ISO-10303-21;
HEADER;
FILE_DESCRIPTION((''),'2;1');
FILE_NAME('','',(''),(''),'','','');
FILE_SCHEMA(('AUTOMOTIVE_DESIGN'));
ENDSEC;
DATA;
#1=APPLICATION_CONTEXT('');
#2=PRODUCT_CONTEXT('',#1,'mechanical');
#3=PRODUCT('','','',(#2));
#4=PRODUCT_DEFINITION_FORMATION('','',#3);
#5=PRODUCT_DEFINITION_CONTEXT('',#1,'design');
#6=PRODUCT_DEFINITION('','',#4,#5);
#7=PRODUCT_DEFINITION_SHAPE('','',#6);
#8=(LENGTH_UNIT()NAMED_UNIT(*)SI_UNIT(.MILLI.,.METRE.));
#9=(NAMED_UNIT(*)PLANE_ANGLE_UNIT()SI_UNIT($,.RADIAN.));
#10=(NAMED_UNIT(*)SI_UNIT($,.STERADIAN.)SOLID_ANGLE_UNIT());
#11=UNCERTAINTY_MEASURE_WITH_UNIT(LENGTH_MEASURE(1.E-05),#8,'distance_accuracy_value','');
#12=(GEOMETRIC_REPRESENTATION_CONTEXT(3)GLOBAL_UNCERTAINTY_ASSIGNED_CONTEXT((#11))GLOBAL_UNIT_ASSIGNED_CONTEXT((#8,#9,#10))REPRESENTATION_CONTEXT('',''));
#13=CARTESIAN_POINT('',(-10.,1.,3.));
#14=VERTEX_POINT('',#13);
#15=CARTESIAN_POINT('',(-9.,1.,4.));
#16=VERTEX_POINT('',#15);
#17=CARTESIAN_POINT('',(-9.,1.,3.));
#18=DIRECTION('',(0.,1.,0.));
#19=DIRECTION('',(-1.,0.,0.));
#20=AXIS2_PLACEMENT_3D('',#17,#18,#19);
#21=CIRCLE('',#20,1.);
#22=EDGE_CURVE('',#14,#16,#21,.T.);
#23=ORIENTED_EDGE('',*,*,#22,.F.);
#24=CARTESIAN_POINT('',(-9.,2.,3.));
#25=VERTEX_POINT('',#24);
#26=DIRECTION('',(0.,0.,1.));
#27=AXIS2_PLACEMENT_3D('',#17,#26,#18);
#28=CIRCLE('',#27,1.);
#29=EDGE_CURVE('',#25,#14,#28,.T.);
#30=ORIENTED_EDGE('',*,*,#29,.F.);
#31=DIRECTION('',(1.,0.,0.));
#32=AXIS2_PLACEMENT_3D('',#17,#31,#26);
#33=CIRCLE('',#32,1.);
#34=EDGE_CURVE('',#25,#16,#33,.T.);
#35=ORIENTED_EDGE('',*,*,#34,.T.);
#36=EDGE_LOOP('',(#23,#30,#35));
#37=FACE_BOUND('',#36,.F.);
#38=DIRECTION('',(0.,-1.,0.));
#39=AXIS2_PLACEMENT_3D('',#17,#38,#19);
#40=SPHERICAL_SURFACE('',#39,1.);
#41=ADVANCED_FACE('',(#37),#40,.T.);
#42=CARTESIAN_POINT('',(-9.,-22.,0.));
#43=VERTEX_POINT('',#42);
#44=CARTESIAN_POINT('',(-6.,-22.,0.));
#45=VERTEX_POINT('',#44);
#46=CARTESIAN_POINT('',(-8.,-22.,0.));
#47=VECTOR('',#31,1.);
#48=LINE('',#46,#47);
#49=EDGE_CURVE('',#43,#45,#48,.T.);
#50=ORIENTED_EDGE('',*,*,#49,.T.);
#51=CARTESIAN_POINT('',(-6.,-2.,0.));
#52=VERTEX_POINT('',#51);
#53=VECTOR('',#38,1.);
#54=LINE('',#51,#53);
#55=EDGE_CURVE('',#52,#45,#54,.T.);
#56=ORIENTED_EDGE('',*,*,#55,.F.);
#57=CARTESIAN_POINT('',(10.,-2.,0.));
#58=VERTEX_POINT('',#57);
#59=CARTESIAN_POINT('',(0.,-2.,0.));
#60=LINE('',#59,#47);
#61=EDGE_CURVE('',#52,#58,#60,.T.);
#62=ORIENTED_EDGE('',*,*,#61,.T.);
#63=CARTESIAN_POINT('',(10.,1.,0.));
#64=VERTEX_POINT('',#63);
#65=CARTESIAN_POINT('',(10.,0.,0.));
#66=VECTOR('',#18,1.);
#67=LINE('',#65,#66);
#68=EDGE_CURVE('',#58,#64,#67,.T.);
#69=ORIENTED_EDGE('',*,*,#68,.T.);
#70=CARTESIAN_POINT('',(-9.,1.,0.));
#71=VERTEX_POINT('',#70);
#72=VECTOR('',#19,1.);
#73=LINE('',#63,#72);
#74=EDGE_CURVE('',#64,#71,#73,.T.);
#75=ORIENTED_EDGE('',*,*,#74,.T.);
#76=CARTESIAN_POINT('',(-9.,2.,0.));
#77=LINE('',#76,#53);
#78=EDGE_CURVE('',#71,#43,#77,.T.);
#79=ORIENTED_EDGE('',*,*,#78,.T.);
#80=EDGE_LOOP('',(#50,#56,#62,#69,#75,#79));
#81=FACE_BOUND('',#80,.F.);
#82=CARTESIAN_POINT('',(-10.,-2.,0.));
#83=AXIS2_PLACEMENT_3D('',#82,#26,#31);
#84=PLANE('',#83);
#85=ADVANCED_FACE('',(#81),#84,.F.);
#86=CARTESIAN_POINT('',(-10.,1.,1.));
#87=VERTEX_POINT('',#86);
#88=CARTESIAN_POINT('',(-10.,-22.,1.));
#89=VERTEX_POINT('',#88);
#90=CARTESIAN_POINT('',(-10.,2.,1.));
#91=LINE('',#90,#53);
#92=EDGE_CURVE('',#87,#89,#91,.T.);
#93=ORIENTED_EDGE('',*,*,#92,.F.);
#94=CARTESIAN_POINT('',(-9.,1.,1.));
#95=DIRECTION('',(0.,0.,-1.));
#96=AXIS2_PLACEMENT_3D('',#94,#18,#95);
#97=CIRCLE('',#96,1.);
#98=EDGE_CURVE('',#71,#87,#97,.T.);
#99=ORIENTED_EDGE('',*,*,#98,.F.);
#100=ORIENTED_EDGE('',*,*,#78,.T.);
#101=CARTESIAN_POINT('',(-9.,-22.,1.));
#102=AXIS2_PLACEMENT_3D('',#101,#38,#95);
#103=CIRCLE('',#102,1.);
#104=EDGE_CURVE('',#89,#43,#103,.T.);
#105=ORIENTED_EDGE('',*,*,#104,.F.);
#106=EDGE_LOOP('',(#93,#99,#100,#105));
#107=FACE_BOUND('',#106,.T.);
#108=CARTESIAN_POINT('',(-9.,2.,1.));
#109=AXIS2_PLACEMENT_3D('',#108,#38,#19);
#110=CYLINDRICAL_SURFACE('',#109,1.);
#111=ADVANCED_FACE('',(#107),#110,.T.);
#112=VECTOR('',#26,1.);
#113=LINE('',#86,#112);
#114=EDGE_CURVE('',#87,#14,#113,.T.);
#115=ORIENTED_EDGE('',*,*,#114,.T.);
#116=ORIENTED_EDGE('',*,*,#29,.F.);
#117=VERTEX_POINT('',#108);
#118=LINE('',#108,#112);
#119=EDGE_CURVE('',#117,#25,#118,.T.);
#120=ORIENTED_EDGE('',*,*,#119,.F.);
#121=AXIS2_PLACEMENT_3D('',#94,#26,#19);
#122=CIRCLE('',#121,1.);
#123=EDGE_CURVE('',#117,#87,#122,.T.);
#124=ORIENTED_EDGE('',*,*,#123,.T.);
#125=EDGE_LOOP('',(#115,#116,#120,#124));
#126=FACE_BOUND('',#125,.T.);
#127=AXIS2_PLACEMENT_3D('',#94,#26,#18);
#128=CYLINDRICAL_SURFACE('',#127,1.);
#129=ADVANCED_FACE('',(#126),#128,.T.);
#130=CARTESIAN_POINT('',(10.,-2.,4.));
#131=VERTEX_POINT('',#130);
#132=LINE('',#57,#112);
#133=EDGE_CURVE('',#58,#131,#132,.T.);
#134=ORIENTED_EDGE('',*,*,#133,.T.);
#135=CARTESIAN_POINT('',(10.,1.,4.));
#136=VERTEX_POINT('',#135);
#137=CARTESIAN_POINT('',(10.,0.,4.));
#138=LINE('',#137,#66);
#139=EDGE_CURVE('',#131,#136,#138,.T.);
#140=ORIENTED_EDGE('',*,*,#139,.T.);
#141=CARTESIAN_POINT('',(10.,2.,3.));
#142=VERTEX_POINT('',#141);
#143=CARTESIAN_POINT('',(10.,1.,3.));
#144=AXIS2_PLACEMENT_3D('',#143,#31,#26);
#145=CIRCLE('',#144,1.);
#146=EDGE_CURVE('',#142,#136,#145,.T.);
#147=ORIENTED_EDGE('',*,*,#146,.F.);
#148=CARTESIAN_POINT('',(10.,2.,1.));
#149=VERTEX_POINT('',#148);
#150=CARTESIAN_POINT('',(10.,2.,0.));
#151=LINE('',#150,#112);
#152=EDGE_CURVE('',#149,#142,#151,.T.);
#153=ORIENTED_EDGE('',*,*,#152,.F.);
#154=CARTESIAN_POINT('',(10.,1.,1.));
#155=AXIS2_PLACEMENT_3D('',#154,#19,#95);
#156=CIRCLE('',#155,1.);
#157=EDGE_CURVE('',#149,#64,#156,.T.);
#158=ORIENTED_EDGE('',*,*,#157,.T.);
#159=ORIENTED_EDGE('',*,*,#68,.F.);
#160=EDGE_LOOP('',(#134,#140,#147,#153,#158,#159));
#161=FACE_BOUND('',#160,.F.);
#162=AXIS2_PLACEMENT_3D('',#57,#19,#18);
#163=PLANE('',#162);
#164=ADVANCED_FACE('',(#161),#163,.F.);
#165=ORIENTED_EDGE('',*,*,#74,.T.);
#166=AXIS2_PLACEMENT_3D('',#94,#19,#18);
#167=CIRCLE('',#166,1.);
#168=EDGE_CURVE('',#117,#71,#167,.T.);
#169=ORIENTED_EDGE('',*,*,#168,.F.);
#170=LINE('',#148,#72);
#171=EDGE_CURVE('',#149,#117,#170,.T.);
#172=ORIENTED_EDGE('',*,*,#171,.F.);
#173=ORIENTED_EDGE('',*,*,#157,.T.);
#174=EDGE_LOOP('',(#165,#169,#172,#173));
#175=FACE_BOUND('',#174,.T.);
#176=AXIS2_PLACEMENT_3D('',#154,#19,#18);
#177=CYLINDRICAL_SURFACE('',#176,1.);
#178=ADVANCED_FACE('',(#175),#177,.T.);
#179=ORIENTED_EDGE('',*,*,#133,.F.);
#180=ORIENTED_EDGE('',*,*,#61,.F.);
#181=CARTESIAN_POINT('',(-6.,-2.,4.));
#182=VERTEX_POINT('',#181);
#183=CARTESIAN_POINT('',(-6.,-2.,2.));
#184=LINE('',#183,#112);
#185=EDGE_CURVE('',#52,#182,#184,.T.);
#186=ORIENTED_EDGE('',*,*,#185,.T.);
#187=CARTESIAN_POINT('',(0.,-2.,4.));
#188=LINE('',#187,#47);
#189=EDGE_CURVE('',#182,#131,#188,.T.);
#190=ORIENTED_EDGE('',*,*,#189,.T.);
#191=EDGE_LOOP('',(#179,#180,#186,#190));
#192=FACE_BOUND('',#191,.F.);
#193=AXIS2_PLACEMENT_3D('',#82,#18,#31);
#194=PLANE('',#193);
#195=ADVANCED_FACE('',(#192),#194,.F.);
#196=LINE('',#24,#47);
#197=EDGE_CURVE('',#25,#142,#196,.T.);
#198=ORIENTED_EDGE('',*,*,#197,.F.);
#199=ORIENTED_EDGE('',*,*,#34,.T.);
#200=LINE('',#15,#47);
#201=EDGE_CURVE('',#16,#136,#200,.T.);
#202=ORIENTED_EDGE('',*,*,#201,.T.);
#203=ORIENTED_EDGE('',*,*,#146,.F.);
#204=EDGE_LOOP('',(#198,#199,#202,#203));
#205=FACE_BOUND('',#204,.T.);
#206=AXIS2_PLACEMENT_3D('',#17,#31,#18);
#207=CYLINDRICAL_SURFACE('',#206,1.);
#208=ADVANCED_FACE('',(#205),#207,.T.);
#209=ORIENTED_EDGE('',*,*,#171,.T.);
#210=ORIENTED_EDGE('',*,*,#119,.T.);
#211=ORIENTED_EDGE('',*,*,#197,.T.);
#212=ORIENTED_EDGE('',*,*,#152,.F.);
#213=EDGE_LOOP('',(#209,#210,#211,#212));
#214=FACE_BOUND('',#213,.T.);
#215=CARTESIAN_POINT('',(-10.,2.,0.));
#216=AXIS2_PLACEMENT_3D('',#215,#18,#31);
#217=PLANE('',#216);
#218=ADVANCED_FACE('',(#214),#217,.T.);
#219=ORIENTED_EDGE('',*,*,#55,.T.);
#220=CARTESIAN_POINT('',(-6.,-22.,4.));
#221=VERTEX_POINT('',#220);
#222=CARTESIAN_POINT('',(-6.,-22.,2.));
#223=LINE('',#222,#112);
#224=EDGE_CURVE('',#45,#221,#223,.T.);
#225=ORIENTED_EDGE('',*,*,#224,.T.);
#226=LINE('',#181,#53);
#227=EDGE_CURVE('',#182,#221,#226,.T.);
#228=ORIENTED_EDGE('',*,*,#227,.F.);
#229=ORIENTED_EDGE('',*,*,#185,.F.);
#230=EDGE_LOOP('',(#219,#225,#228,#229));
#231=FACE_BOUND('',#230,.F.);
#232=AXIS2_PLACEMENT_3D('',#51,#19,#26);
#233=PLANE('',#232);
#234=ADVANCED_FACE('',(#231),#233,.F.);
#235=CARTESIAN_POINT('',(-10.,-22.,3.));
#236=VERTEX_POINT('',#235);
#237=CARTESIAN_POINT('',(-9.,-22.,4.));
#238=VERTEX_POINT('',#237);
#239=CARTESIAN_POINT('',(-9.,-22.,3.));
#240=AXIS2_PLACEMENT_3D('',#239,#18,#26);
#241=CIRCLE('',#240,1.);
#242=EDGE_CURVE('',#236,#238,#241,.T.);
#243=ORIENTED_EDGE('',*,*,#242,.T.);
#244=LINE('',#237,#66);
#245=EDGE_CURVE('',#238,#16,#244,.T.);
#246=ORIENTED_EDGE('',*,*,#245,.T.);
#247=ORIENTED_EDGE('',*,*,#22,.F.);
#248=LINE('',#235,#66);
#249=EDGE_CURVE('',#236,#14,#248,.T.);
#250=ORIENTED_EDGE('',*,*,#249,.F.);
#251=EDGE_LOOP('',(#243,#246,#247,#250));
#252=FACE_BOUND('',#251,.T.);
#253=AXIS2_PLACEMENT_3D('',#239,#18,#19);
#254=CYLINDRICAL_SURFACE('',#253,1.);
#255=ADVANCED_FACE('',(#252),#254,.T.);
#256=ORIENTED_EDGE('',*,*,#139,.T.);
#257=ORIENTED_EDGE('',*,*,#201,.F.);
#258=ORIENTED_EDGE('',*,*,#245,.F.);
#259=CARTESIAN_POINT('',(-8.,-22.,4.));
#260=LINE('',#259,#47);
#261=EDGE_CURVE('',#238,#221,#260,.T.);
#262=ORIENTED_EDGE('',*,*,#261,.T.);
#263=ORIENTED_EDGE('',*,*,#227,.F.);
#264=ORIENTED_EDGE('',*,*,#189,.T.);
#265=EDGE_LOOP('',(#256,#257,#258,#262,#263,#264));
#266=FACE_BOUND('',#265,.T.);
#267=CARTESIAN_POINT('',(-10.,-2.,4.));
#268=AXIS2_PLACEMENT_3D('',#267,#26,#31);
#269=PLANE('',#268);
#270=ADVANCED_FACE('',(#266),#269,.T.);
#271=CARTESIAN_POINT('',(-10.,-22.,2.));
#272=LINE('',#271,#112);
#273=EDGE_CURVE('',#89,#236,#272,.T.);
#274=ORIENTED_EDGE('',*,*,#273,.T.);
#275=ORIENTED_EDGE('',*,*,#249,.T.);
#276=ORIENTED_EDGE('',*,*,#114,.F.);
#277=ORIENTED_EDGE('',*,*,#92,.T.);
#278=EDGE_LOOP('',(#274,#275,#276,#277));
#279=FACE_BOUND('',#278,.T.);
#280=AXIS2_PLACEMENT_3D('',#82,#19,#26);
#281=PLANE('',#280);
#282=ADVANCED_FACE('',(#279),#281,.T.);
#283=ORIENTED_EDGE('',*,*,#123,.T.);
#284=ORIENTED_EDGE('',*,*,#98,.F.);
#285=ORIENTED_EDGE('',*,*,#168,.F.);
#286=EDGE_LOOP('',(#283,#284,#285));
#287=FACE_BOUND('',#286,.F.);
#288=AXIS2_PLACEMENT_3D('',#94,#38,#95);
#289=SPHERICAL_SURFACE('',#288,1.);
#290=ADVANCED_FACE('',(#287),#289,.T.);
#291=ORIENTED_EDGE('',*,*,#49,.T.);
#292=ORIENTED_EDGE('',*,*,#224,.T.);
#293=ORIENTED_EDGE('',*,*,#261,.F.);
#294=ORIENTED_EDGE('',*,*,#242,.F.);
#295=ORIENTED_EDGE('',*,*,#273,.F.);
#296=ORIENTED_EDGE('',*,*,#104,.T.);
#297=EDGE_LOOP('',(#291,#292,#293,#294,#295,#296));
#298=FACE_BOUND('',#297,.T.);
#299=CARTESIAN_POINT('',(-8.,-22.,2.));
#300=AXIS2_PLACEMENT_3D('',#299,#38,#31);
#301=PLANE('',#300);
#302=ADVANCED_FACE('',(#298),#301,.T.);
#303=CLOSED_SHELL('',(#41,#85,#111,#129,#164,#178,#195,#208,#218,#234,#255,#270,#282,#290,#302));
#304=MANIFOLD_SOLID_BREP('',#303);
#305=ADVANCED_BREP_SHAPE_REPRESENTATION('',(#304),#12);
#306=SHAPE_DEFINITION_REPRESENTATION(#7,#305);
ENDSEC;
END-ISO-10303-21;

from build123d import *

# Parameters (mm, degrees)
F0_W     = 20
F0_H     = 4
F1_DEPTH = 4
F2_W     = 4
F2_H     = 4
F3_DEPTH = 20
F4_R     = 1
F5_R     = 1
F6_R     = 1


with BuildPart() as f1:
    # F0 (on Top) → F1 (new body)
    with BuildSketch(Plane.XY):
        Rectangle(F0_W, F0_H)
    extrude(amount=F1_DEPTH)

    # F2 (on face) → F3 (join)
    with BuildSketch(Plane.XZ.offset(2)):
        with Locations((-8, 2)):
            Rectangle(F2_W, F2_H)
    extrude(amount=F3_DEPTH)

    # F4
    f4_edges = [f1.edges().sort_by_distance(p)[0] for p in [
        (-10, -10, 4),
    ]]
    fillet(f4_edges, radius=F4_R)

    # F5
    f5_edges = [f1.edges().sort_by_distance(p)[0] for p in [
        (-10, -10, 0),
    ]]
    fillet(f5_edges, radius=F5_R)

    # F6
    f6_edges = [f1.edges().sort_by_distance(p)[0] for p in [
        (0.5, 2, 4),
        (0.5, 2, 0),
    ]]
    fillet(f6_edges, radius=F6_R)


solid = f1.part
